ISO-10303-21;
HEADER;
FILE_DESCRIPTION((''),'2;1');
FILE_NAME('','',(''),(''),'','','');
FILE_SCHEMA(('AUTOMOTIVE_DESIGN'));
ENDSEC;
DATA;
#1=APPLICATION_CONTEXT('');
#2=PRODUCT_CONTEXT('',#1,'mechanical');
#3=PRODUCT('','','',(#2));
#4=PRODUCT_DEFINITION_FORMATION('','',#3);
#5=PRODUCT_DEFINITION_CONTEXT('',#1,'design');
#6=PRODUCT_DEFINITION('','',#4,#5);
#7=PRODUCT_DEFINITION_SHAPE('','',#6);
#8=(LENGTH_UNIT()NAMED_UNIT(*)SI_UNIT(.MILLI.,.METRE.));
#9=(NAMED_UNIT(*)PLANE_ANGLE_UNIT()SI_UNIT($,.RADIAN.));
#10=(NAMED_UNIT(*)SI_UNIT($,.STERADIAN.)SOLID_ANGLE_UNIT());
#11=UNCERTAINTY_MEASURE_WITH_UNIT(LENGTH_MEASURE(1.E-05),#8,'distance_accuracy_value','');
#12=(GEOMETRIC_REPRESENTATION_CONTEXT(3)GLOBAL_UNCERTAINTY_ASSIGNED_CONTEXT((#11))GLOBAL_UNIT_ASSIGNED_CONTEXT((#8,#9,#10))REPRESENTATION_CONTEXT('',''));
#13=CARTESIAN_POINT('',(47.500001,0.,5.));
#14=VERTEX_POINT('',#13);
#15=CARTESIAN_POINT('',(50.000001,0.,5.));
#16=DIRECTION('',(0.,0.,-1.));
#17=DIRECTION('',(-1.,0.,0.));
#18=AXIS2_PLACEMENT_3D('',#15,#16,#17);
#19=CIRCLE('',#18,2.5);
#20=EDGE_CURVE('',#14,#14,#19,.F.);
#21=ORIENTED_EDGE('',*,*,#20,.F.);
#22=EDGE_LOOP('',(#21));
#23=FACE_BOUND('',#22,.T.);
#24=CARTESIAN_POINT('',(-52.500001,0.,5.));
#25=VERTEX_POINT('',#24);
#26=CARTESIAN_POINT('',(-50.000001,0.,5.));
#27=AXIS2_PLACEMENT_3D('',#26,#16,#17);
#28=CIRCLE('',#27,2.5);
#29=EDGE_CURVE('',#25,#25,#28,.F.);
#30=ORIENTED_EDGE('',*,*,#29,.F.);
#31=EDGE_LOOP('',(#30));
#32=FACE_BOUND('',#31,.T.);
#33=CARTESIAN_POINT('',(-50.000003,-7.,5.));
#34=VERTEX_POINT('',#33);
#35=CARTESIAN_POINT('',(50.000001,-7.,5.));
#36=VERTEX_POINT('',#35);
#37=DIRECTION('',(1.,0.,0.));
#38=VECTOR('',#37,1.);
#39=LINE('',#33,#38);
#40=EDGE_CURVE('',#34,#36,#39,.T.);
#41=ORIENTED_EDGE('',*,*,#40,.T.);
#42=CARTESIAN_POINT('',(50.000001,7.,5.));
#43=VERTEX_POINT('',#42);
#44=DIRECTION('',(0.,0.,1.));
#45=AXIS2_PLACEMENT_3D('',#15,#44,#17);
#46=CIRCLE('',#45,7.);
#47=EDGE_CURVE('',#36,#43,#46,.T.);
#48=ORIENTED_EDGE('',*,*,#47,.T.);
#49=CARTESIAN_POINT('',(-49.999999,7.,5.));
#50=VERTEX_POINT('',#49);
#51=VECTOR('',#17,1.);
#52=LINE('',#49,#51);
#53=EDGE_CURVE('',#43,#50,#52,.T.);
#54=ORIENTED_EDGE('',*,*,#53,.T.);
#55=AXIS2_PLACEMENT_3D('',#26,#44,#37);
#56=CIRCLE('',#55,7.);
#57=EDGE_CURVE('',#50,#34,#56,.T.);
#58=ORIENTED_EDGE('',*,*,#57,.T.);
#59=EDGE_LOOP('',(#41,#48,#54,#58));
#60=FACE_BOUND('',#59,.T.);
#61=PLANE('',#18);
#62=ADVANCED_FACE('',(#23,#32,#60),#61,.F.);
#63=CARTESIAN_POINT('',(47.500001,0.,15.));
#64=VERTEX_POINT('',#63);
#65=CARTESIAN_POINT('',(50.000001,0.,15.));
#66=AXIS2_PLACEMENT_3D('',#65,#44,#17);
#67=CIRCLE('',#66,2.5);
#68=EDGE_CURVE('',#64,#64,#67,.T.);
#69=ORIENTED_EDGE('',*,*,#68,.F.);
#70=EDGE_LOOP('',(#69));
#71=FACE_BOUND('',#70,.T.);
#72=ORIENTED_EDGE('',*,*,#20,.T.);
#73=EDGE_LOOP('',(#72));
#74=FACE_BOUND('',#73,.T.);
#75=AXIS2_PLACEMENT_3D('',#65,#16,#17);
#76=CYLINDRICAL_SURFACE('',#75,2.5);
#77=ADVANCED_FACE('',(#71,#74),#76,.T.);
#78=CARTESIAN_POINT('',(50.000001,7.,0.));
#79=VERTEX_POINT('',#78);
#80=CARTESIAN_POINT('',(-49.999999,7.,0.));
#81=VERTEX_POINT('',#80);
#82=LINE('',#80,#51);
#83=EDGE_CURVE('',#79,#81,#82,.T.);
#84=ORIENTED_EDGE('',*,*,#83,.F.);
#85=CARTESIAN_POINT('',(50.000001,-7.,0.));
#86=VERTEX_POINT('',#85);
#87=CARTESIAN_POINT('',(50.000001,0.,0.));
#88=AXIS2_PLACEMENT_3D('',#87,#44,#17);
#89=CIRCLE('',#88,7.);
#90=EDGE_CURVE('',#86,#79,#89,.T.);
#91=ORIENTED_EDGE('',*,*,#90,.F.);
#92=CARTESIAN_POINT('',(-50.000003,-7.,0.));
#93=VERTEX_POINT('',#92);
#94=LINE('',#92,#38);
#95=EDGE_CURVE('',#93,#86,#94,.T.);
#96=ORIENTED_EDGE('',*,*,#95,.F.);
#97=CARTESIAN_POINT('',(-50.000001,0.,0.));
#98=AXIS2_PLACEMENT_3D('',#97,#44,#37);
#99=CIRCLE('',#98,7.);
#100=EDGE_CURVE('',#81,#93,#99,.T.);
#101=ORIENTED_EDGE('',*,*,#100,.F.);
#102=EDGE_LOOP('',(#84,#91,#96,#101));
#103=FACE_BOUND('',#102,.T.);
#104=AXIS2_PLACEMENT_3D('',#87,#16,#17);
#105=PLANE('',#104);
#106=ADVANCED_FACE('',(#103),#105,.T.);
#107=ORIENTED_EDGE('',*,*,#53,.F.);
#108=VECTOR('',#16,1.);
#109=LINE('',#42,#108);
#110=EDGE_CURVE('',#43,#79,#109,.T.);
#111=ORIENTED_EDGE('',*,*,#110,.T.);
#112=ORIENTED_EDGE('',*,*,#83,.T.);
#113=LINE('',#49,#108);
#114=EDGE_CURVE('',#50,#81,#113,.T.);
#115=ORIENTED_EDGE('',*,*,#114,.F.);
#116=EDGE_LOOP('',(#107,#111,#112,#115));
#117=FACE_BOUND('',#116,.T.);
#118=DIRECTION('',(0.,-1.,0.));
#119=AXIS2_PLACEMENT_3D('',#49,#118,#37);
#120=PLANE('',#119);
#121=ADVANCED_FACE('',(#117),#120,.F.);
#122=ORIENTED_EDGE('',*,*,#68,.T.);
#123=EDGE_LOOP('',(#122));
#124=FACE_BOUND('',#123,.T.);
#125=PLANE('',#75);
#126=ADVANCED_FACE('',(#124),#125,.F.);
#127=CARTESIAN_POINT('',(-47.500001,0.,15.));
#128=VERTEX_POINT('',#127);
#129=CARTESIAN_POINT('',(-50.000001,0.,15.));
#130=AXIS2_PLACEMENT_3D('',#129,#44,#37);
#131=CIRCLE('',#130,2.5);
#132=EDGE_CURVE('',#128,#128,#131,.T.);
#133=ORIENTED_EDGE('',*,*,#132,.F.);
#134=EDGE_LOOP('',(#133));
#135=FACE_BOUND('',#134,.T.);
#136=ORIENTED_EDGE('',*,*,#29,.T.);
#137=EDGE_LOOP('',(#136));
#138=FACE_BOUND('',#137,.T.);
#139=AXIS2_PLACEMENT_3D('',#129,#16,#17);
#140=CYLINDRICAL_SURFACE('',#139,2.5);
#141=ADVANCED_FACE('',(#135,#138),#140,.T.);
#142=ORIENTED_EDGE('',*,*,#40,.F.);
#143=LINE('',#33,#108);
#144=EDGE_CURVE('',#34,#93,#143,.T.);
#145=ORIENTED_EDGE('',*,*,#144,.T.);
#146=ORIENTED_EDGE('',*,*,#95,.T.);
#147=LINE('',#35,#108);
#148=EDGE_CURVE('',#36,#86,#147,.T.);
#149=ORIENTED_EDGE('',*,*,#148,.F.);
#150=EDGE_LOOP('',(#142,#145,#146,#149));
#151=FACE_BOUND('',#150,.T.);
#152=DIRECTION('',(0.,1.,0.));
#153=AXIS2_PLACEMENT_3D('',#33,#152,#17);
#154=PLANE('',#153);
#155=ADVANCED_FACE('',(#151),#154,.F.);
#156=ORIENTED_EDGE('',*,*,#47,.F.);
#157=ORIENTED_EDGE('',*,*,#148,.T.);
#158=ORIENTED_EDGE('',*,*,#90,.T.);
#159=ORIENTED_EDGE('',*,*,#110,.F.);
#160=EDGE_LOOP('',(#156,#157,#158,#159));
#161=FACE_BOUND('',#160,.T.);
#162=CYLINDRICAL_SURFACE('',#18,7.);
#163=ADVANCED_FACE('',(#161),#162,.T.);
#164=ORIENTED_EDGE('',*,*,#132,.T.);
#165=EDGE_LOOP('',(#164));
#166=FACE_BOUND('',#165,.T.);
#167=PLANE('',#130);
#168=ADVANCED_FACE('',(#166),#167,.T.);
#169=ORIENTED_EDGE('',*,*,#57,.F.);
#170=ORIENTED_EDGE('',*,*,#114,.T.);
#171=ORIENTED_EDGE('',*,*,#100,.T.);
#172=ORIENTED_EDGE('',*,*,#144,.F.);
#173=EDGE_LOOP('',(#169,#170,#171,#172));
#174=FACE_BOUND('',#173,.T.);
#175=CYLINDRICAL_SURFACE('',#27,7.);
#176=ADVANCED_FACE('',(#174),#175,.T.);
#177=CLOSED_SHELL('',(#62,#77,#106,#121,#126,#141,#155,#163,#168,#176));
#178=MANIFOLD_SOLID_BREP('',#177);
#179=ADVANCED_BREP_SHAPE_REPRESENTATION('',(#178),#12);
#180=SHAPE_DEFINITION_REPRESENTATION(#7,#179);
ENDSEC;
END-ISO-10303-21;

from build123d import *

# Parameters (mm, degrees)
BOSS_EXTRUDE1_DEPTH = 5
SKETCH2_R           = 2.5
BOSS_EXTRUDE2_DEPTH = 10


with BuildPart() as part:
    # Sketch1 → Boss-Extrude1 (new body)
    with BuildSketch(Plane.XY):
        with BuildLine():
            Line((-50.000002608, -7.000000122), (50.000000869, -7.000000122))
            ThreePointArc((50.000000869, -7.000000122), (57.000000869, -1.22e-07), (50.000000869, 6.999999878))
            Line((50.000000869, 6.999999878), (-49.999999131, 6.999999878))
            ThreePointArc((-49.999999131, 6.999999878), (-57.000000869, 1.617e-06), (-50.000002608, -7.000000122))
        make_face()
    extrude(amount=BOSS_EXTRUDE1_DEPTH)

    # Sketch2 → Boss-Extrude2 (add)
    with BuildSketch(Plane.XY.offset(5)):
        with Locations(Location((-50.000000869, -1.22e-07, 0), (0, 0, 180))):
            Circle(SKETCH2_R)
        with Locations(Location((50.000000869, -1.22e-07, 0), (0, 0, 180))):
            Circle(SKETCH2_R)
    extrude(amount=BOSS_EXTRUDE2_DEPTH)


solid = part.part
